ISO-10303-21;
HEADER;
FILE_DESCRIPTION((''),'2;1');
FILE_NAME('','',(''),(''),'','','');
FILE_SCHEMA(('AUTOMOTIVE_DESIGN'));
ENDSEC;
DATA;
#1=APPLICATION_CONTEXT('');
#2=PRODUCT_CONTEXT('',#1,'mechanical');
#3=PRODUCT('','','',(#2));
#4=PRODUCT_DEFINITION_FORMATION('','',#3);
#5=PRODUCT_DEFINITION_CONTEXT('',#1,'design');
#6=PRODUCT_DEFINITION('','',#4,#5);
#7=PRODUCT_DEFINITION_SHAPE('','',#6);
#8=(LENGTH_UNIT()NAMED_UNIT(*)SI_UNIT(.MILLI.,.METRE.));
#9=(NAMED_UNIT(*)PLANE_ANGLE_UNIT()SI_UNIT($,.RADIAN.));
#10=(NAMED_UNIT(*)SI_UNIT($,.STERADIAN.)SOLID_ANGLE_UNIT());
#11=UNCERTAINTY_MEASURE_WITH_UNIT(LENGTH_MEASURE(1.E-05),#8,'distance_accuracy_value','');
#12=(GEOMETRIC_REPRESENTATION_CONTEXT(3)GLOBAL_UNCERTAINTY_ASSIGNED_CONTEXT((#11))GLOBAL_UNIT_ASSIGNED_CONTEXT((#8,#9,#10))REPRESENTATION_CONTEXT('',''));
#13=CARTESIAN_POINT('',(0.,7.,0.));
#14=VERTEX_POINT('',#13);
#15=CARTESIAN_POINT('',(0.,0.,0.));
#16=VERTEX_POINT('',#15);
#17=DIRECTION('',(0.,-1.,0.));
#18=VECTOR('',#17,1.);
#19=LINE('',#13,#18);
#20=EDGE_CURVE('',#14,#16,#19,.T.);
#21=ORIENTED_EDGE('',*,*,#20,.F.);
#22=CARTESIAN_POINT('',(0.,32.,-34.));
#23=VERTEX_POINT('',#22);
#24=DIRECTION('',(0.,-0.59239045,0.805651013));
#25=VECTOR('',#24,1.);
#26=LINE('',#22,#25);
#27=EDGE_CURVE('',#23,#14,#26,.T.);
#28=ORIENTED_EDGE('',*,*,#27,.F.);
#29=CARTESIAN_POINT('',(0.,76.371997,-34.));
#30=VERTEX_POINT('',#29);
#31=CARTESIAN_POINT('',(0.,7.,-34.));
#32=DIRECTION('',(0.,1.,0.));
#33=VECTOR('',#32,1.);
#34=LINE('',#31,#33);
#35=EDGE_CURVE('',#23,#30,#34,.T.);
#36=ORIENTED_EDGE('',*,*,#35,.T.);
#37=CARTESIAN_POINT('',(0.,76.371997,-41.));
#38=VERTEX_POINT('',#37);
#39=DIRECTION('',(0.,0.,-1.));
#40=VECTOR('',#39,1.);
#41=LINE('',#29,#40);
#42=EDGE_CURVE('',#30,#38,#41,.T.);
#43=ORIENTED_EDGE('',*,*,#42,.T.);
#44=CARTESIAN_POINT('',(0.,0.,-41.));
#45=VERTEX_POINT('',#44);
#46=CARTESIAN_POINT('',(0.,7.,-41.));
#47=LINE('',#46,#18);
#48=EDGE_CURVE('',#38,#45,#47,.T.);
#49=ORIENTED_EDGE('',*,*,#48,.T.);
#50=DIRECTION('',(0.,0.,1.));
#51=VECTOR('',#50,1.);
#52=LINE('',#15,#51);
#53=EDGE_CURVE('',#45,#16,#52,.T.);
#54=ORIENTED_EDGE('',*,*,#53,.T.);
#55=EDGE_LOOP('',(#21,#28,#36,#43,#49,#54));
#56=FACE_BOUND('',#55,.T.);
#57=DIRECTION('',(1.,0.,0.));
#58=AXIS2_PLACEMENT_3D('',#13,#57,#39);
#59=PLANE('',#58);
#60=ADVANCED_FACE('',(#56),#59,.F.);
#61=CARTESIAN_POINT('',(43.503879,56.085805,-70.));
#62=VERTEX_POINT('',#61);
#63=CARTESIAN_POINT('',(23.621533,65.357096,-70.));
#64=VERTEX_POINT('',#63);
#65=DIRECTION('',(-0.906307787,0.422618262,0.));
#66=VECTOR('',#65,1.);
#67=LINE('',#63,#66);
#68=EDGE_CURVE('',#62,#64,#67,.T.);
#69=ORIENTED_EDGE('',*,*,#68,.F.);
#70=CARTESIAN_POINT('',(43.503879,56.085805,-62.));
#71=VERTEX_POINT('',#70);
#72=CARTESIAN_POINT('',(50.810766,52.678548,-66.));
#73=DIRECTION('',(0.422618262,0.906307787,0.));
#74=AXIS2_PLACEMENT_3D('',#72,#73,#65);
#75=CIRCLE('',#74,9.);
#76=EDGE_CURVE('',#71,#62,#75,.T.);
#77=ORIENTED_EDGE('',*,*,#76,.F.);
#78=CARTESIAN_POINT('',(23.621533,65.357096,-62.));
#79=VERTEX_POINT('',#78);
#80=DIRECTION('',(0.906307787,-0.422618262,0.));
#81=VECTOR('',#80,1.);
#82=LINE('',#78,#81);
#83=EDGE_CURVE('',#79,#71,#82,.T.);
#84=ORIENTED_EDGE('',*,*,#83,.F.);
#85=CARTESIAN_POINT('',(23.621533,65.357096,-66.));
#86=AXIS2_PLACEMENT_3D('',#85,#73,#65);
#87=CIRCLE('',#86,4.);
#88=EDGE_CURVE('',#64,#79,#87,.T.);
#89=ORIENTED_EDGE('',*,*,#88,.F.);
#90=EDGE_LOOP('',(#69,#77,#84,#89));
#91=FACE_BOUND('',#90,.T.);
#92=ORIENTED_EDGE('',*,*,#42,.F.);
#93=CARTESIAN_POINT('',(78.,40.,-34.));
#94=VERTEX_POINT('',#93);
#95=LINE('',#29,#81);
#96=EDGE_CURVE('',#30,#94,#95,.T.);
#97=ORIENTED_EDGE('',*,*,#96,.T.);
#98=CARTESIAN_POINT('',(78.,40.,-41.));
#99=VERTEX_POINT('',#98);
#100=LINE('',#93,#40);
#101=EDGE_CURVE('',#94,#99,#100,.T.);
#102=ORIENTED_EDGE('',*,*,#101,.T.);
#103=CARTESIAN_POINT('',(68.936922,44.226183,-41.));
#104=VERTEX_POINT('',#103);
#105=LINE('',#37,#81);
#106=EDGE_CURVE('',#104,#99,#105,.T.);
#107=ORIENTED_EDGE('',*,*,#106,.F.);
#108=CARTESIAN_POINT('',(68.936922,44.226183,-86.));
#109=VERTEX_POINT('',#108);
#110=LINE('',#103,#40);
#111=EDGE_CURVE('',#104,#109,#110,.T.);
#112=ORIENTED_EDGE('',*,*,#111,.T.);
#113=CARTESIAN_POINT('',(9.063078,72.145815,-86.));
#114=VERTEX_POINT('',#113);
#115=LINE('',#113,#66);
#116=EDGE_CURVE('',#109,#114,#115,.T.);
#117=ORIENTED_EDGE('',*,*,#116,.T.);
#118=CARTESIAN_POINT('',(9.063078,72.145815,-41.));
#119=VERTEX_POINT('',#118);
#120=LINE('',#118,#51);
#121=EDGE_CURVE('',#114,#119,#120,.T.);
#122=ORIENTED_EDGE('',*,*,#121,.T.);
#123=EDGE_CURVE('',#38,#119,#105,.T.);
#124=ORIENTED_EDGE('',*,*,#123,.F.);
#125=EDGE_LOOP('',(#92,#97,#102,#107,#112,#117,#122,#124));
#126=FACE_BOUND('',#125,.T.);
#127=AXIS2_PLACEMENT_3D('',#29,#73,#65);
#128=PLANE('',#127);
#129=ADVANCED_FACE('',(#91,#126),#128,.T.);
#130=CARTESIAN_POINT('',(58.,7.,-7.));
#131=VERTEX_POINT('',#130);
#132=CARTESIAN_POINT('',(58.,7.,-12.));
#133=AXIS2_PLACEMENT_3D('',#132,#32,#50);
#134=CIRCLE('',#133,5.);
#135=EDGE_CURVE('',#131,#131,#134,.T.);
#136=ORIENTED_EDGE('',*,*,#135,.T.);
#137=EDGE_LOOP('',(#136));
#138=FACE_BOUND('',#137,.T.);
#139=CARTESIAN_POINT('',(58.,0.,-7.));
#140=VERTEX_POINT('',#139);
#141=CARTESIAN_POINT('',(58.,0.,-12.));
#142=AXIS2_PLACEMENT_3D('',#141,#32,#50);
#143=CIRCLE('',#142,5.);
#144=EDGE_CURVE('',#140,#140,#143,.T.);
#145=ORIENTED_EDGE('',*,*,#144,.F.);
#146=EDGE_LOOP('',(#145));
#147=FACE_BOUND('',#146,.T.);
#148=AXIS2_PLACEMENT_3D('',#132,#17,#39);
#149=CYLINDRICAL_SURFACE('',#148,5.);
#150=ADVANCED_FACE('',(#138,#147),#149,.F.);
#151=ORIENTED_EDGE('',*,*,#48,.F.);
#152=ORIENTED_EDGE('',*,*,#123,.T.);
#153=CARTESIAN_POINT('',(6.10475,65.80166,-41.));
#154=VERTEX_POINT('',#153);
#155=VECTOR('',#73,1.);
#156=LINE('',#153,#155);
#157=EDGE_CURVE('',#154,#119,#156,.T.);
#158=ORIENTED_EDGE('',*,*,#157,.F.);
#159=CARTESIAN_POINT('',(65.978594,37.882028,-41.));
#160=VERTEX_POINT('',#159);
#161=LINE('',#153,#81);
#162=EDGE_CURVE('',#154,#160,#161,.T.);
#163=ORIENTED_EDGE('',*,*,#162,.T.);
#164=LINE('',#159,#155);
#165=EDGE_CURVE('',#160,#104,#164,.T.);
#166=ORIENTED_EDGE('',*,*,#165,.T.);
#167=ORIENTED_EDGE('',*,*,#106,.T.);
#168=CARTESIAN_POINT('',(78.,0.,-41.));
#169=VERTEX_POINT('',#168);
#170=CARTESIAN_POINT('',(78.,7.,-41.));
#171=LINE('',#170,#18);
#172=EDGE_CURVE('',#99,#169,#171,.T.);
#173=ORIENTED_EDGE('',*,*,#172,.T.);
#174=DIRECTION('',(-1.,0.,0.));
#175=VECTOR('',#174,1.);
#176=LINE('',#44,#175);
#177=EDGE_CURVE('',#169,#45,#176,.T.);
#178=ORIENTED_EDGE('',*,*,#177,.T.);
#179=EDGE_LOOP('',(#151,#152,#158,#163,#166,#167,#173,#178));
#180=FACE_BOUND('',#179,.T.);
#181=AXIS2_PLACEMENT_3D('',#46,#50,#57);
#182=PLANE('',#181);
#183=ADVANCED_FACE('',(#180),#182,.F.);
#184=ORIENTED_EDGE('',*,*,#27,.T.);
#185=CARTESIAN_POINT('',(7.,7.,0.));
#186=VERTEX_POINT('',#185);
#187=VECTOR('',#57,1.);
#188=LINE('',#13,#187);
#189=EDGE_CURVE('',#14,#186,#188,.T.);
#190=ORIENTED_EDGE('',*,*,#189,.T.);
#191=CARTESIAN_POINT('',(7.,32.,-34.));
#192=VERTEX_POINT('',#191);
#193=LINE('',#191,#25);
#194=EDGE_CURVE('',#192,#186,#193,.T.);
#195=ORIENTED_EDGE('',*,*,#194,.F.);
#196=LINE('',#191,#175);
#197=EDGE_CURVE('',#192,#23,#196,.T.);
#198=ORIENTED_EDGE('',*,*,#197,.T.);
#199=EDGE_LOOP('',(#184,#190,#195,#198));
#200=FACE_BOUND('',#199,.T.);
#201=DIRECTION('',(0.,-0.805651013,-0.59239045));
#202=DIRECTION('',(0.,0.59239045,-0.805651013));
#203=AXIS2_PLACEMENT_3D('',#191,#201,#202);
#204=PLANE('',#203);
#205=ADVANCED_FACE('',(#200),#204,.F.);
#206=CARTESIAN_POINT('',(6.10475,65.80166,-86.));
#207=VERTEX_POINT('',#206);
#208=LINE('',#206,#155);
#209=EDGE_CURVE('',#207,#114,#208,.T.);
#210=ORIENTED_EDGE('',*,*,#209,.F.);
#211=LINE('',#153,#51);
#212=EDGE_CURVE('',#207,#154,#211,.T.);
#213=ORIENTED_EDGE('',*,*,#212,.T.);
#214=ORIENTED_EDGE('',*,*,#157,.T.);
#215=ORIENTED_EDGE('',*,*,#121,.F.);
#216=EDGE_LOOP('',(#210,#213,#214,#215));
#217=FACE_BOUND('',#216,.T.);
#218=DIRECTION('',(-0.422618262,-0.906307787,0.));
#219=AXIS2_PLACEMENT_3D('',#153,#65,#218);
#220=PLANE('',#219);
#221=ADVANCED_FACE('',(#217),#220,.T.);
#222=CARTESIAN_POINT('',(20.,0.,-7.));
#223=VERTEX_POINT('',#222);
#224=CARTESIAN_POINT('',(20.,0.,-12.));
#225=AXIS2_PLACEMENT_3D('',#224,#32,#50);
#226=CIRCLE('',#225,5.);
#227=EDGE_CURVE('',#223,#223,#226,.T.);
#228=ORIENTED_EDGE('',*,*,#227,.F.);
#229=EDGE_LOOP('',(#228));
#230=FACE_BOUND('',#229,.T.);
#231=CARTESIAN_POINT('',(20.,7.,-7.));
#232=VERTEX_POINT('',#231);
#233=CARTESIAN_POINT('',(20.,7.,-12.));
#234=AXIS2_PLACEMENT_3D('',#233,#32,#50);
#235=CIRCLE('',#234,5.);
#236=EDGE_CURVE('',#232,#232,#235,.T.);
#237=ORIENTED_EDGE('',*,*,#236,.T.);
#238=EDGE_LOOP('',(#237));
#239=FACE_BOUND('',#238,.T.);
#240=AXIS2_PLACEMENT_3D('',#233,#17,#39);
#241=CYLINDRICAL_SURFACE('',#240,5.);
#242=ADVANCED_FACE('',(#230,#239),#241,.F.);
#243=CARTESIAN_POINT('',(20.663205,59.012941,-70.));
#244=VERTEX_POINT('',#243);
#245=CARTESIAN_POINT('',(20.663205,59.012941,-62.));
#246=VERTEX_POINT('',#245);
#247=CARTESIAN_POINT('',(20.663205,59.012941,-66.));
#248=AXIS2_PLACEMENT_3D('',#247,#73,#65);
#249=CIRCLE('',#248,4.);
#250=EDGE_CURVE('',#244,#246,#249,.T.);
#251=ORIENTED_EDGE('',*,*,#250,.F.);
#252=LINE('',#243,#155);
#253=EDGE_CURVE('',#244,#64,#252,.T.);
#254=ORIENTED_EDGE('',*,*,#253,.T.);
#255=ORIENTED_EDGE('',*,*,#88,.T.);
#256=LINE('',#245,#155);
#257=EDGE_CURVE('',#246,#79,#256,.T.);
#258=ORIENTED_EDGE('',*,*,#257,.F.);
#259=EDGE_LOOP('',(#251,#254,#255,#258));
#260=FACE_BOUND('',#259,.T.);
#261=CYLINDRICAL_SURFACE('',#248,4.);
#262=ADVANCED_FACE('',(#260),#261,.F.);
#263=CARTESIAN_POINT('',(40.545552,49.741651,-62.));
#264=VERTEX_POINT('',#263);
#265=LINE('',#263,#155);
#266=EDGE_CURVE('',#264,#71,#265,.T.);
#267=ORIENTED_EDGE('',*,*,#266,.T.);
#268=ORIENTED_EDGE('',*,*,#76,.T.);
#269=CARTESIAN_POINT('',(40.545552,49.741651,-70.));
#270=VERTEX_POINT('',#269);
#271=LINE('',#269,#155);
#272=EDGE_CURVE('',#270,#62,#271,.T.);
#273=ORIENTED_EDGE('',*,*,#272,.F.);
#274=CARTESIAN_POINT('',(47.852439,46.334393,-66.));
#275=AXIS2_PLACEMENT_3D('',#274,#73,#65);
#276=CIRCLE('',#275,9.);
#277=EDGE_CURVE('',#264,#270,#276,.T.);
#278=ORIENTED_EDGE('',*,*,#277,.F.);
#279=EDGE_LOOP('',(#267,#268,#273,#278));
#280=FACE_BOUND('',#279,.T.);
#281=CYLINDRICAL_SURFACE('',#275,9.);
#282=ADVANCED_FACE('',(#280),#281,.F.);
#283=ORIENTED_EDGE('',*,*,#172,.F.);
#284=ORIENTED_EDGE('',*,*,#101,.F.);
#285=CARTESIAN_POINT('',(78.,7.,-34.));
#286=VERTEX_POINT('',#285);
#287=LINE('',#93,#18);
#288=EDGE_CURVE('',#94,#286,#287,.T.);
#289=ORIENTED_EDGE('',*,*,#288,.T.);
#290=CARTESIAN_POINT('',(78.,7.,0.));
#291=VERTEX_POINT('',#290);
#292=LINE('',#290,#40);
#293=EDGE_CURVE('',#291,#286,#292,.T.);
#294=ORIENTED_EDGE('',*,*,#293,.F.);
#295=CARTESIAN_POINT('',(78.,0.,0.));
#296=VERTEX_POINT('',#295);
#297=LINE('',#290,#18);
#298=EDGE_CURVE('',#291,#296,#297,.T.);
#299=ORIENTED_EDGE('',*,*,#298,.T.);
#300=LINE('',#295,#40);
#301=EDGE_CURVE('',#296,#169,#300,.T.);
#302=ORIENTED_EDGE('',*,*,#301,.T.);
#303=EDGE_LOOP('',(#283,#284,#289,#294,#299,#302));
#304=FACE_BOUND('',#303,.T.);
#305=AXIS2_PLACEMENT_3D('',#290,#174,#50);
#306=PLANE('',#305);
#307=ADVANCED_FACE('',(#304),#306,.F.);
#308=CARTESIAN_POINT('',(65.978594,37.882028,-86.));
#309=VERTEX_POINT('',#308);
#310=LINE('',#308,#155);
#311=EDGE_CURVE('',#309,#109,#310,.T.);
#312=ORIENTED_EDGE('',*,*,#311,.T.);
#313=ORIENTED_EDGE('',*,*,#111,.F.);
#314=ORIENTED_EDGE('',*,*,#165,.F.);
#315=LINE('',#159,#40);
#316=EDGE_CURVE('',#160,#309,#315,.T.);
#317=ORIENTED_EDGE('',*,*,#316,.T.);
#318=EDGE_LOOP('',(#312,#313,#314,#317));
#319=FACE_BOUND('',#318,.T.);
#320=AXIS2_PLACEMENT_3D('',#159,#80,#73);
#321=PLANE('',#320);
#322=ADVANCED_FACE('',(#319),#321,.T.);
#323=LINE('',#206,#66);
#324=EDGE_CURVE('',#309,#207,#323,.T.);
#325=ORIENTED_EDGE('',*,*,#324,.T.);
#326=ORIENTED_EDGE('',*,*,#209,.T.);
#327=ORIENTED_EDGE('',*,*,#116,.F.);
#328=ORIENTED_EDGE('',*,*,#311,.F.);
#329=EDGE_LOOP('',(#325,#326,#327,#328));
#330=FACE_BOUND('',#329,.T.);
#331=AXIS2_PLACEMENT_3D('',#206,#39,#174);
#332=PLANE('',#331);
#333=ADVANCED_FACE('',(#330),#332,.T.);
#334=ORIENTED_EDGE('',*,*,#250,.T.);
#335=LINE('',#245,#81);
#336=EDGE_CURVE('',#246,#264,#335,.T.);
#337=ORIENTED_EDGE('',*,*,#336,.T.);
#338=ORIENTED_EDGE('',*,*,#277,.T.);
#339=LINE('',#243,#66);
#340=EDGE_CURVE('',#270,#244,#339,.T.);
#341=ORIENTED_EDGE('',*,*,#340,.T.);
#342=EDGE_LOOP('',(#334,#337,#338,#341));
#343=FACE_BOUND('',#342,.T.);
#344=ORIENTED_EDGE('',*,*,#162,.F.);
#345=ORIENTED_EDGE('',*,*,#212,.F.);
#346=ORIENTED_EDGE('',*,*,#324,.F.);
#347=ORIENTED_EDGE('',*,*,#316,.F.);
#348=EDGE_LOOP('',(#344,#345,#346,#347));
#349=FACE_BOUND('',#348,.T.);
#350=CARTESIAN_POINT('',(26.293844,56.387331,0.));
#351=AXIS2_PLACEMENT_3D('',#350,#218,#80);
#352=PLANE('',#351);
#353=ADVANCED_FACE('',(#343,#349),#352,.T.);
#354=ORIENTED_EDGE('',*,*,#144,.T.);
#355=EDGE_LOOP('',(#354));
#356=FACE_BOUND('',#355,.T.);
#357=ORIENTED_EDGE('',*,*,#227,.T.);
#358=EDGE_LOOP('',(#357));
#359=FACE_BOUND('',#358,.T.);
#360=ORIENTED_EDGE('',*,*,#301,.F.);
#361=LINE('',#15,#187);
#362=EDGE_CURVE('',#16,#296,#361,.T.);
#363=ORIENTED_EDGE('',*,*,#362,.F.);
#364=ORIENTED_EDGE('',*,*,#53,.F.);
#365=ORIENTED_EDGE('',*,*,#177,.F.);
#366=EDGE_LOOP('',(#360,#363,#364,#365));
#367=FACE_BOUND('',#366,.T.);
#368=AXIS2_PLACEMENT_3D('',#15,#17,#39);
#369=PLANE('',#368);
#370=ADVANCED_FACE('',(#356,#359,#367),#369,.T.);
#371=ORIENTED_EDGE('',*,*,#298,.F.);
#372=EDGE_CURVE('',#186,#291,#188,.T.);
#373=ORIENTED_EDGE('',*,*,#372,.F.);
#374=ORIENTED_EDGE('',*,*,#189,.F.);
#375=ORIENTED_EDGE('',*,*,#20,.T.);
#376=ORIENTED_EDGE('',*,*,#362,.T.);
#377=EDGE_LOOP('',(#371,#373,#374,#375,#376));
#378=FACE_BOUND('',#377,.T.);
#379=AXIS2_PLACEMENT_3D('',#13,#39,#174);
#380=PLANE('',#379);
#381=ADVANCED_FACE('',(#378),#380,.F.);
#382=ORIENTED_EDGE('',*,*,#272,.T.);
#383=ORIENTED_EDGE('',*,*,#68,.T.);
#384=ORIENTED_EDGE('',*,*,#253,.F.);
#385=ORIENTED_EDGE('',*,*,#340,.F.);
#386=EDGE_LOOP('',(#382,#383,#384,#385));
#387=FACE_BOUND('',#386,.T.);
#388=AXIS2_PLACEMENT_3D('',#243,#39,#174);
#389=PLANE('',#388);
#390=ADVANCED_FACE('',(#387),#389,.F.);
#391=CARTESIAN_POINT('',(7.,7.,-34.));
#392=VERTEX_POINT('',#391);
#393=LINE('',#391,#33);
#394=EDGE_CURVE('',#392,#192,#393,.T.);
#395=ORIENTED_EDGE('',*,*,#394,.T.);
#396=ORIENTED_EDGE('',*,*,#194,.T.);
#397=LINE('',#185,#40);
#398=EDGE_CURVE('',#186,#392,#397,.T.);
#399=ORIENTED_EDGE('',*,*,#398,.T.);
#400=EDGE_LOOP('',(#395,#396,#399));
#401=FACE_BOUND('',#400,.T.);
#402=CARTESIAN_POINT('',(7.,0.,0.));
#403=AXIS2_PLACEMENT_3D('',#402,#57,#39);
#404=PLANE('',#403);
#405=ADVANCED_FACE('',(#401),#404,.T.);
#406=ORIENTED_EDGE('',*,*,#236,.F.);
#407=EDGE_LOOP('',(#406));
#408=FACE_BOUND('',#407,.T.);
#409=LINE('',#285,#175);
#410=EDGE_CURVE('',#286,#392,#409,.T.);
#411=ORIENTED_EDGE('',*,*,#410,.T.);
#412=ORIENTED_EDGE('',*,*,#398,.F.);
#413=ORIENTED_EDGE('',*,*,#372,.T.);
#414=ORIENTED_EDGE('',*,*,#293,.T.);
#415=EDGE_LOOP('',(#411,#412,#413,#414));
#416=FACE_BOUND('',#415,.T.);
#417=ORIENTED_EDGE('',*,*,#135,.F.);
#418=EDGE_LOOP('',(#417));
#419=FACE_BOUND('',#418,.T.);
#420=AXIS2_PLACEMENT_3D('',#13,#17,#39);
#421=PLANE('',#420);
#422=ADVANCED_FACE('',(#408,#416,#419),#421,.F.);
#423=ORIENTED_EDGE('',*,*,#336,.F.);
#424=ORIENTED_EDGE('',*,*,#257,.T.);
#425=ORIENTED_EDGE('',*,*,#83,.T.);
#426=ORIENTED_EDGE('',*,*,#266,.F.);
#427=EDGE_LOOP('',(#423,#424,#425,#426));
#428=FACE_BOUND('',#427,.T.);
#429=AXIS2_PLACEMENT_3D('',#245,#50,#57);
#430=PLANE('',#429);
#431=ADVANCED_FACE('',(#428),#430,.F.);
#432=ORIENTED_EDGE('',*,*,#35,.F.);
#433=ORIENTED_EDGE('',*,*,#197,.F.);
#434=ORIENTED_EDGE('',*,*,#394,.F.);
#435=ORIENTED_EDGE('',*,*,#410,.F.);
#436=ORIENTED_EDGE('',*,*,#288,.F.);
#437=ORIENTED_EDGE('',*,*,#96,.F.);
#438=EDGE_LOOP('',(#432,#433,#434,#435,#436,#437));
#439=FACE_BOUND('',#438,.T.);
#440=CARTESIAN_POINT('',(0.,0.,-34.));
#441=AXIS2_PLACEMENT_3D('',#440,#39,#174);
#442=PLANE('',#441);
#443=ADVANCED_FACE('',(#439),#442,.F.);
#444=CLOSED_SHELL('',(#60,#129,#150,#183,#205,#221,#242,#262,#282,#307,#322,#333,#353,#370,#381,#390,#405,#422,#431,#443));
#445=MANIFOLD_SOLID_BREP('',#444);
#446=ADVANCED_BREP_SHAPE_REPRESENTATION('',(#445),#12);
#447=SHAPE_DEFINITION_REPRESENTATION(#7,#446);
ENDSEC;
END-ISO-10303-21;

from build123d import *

# Parameters (mm, degrees)
SKETCH1_W           = 78
SKETCH1_H           = 41
SKETCH1_R           = 5
BOSS_EXTRUDE1_DEPTH = 7
BOSS_EXTRUDE3_START = -41
BOSS_EXTRUDE3_DEPTH = 7
BOSS_EXTRUDE6_DEPTH = 7
SKETCH10_W          = 66.063477679
SKETCH10_H          = 45
BOSS_EXTRUDE7_DEPTH = 7


with BuildPart() as part:
    # Sketch1 → Boss-Extrude1 (new body)
    with BuildSketch(Plane(origin=(0, 0, 0), x_dir=(1, 0, 0), z_dir=(0, 1, 0))):
        with Locations((39, 20.5)):
            Rectangle(SKETCH1_W, SKETCH1_H)
        with Locations(Location((20, 12, 0), (0, 0, 270))):
            Circle(SKETCH1_R, mode=Mode.SUBTRACT)
        with Locations(Location((58, 12, 0), (0, 0, 270))):
            Circle(SKETCH1_R, mode=Mode.SUBTRACT)
    extrude(amount=BOSS_EXTRUDE1_DEPTH)

    # Sketch5 → Boss-Extrude3 (add)
    with BuildSketch(Plane.XY.offset(BOSS_EXTRUDE3_START)):
        Polygon((0, 7), (0, 76.371997336), (78, 40), (78, 7), align=None)
    extrude(amount=BOSS_EXTRUDE3_DEPTH)

    # Sketch6 → Boss-Extrude6 (add)
    with BuildSketch(Plane(origin=(0, 0, 0), x_dir=(0, 0, -1), z_dir=(1, 0, 0))):
        Polygon((34, 7), (34, 32), (0, 7), align=None)
    extrude(amount=BOSS_EXTRUDE6_DEPTH)

    # Sketch10 → Boss-Extrude7 (add)
    with BuildSketch(Plane(origin=(29.252172085, 62.731485475, 0), x_dir=(0.9063077870366529, -0.4226182617406933, 0), z_dir=(0.4226182617406933, 0.9063077870366529, 0))):
        with Locations((10.755538079, 63.5)):
            Rectangle(SKETCH10_W, SKETCH10_H)
        with BuildLine():
            Line((-6.212723081, 70), (15.725019171, 70))
            ThreePointArc((15.725019171, 70), (32.787276919, 66), (15.725019171, 62))
            Line((15.725019171, 62), (-6.212723081, 62))
            ThreePointArc((-6.212723081, 62), (-10.212723081, 66), (-6.212723081, 70))
        make_face(mode=Mode.SUBTRACT)
    extrude(amount=-BOSS_EXTRUDE7_DEPTH)


solid = part.part
